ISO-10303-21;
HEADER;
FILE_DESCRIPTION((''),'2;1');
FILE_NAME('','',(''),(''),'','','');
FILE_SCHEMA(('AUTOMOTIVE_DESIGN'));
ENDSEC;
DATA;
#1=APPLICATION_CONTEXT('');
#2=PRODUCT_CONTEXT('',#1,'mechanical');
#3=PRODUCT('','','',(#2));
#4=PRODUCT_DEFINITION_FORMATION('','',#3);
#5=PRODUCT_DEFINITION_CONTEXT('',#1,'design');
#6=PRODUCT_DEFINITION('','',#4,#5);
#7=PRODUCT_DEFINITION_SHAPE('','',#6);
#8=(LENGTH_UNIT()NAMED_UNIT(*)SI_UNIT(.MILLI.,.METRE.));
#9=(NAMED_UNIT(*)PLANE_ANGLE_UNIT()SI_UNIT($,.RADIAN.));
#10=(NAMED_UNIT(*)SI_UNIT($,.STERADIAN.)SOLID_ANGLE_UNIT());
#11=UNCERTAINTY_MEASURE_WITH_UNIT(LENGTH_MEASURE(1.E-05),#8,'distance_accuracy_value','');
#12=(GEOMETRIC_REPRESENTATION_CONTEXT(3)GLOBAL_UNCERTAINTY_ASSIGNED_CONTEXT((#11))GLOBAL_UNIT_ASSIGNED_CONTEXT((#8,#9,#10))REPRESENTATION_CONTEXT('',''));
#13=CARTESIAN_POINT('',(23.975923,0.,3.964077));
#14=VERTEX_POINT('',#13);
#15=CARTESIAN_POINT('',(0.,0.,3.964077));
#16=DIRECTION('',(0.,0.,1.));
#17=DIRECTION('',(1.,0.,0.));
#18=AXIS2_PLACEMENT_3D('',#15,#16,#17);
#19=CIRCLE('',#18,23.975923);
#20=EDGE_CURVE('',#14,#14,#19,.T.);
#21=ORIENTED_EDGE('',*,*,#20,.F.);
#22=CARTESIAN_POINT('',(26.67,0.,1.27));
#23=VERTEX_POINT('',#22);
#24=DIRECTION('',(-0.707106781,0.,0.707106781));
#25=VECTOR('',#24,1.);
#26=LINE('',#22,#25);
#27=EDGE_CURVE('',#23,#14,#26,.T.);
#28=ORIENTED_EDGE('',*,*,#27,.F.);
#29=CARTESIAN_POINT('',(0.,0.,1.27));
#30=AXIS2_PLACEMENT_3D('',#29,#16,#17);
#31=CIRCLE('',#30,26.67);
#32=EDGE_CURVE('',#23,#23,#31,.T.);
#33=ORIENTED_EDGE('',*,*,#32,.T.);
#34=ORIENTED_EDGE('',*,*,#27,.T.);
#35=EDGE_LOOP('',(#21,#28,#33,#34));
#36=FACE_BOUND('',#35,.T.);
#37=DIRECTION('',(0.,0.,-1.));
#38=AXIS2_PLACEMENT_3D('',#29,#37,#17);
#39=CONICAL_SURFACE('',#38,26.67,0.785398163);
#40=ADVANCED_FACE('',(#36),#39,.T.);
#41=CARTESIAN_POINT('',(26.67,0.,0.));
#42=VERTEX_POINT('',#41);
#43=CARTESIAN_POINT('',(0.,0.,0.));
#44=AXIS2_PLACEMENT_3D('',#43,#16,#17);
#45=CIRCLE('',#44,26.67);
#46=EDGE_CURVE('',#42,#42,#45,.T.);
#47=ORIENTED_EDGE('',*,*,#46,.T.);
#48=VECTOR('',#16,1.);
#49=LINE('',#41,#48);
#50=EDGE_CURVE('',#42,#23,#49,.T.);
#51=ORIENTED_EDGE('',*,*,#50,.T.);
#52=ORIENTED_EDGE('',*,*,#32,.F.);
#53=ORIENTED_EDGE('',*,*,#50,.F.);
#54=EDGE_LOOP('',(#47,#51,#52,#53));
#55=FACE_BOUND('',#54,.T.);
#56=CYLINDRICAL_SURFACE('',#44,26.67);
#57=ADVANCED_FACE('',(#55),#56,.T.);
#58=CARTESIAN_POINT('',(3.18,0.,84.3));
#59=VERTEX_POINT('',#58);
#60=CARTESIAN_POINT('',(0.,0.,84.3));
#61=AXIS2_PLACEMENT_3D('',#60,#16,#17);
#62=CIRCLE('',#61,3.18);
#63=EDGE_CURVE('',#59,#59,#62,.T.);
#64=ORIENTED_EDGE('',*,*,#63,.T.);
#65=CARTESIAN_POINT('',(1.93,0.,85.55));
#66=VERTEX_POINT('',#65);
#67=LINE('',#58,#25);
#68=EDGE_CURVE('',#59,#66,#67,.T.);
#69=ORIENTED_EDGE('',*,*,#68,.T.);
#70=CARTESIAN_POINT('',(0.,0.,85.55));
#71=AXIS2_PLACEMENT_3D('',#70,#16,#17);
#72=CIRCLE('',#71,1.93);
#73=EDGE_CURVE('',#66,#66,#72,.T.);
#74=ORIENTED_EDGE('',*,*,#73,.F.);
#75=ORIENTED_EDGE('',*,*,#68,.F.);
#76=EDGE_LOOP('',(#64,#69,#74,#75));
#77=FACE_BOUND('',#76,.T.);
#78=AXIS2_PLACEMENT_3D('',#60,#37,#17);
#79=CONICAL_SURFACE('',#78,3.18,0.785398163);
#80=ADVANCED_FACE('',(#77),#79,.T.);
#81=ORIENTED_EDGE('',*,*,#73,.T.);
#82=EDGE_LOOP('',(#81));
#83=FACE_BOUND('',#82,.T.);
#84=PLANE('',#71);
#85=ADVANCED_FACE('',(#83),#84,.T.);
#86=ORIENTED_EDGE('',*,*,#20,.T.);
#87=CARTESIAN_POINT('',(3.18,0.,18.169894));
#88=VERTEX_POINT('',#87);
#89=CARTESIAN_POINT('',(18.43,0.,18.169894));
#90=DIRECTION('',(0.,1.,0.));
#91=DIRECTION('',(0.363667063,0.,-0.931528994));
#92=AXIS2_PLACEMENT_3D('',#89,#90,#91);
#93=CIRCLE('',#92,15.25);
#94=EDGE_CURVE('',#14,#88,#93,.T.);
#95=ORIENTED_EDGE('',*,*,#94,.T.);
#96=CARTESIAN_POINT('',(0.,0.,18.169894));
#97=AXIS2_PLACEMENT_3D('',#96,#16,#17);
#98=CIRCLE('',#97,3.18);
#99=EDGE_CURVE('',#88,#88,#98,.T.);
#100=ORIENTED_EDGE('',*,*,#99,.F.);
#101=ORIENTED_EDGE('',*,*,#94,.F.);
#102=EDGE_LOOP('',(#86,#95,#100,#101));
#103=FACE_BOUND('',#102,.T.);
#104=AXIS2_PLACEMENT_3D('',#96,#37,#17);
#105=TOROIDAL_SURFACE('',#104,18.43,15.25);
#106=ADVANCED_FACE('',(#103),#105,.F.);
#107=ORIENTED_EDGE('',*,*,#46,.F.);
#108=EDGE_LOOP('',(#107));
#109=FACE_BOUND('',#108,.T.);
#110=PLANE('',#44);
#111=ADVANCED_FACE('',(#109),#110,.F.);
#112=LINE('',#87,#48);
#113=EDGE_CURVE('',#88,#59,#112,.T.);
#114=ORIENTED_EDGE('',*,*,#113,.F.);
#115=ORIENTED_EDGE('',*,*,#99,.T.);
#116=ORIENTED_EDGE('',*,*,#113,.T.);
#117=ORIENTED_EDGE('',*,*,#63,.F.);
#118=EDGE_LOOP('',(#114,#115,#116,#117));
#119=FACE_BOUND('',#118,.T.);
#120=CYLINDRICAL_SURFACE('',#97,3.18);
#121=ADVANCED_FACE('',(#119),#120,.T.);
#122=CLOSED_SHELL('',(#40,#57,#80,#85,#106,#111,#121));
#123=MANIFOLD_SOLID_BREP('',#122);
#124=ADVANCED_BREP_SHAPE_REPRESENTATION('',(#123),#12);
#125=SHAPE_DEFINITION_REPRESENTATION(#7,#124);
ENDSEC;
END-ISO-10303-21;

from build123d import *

# Parameters (mm, degrees)
F2_SIZE = 1.25


with BuildPart() as f1:
    # F0 (on Front) → F1 (revolve)
    with BuildSketch(Plane.XZ):
        with BuildLine():
            Line((0, 85.55), (0, 0))
            Line((0, 0), (26.67, 0))
            Line((26.67, 0), (26.67, 1.27))
            Line((26.67, 1.27), (23.975923, 3.964077))
            ThreePointArc((23.975923, 3.964077), (9.828048, 5.577479), (3.18, 18.169894))
            Line((3.18, 18.169894), (3.18, 85.55))
            Line((3.18, 85.55), (0, 85.55))
        make_face()
    revolve(axis=Axis((0, 0, 42.775), (0, 0, 1)))

    # F2
    f2_edges = [f1.edges().sort_by_distance(p)[0] for p in [
        (-3.18, 0, 85.55),
    ]]
    chamfer(f2_edges, length=F2_SIZE)


solid = f1.part
